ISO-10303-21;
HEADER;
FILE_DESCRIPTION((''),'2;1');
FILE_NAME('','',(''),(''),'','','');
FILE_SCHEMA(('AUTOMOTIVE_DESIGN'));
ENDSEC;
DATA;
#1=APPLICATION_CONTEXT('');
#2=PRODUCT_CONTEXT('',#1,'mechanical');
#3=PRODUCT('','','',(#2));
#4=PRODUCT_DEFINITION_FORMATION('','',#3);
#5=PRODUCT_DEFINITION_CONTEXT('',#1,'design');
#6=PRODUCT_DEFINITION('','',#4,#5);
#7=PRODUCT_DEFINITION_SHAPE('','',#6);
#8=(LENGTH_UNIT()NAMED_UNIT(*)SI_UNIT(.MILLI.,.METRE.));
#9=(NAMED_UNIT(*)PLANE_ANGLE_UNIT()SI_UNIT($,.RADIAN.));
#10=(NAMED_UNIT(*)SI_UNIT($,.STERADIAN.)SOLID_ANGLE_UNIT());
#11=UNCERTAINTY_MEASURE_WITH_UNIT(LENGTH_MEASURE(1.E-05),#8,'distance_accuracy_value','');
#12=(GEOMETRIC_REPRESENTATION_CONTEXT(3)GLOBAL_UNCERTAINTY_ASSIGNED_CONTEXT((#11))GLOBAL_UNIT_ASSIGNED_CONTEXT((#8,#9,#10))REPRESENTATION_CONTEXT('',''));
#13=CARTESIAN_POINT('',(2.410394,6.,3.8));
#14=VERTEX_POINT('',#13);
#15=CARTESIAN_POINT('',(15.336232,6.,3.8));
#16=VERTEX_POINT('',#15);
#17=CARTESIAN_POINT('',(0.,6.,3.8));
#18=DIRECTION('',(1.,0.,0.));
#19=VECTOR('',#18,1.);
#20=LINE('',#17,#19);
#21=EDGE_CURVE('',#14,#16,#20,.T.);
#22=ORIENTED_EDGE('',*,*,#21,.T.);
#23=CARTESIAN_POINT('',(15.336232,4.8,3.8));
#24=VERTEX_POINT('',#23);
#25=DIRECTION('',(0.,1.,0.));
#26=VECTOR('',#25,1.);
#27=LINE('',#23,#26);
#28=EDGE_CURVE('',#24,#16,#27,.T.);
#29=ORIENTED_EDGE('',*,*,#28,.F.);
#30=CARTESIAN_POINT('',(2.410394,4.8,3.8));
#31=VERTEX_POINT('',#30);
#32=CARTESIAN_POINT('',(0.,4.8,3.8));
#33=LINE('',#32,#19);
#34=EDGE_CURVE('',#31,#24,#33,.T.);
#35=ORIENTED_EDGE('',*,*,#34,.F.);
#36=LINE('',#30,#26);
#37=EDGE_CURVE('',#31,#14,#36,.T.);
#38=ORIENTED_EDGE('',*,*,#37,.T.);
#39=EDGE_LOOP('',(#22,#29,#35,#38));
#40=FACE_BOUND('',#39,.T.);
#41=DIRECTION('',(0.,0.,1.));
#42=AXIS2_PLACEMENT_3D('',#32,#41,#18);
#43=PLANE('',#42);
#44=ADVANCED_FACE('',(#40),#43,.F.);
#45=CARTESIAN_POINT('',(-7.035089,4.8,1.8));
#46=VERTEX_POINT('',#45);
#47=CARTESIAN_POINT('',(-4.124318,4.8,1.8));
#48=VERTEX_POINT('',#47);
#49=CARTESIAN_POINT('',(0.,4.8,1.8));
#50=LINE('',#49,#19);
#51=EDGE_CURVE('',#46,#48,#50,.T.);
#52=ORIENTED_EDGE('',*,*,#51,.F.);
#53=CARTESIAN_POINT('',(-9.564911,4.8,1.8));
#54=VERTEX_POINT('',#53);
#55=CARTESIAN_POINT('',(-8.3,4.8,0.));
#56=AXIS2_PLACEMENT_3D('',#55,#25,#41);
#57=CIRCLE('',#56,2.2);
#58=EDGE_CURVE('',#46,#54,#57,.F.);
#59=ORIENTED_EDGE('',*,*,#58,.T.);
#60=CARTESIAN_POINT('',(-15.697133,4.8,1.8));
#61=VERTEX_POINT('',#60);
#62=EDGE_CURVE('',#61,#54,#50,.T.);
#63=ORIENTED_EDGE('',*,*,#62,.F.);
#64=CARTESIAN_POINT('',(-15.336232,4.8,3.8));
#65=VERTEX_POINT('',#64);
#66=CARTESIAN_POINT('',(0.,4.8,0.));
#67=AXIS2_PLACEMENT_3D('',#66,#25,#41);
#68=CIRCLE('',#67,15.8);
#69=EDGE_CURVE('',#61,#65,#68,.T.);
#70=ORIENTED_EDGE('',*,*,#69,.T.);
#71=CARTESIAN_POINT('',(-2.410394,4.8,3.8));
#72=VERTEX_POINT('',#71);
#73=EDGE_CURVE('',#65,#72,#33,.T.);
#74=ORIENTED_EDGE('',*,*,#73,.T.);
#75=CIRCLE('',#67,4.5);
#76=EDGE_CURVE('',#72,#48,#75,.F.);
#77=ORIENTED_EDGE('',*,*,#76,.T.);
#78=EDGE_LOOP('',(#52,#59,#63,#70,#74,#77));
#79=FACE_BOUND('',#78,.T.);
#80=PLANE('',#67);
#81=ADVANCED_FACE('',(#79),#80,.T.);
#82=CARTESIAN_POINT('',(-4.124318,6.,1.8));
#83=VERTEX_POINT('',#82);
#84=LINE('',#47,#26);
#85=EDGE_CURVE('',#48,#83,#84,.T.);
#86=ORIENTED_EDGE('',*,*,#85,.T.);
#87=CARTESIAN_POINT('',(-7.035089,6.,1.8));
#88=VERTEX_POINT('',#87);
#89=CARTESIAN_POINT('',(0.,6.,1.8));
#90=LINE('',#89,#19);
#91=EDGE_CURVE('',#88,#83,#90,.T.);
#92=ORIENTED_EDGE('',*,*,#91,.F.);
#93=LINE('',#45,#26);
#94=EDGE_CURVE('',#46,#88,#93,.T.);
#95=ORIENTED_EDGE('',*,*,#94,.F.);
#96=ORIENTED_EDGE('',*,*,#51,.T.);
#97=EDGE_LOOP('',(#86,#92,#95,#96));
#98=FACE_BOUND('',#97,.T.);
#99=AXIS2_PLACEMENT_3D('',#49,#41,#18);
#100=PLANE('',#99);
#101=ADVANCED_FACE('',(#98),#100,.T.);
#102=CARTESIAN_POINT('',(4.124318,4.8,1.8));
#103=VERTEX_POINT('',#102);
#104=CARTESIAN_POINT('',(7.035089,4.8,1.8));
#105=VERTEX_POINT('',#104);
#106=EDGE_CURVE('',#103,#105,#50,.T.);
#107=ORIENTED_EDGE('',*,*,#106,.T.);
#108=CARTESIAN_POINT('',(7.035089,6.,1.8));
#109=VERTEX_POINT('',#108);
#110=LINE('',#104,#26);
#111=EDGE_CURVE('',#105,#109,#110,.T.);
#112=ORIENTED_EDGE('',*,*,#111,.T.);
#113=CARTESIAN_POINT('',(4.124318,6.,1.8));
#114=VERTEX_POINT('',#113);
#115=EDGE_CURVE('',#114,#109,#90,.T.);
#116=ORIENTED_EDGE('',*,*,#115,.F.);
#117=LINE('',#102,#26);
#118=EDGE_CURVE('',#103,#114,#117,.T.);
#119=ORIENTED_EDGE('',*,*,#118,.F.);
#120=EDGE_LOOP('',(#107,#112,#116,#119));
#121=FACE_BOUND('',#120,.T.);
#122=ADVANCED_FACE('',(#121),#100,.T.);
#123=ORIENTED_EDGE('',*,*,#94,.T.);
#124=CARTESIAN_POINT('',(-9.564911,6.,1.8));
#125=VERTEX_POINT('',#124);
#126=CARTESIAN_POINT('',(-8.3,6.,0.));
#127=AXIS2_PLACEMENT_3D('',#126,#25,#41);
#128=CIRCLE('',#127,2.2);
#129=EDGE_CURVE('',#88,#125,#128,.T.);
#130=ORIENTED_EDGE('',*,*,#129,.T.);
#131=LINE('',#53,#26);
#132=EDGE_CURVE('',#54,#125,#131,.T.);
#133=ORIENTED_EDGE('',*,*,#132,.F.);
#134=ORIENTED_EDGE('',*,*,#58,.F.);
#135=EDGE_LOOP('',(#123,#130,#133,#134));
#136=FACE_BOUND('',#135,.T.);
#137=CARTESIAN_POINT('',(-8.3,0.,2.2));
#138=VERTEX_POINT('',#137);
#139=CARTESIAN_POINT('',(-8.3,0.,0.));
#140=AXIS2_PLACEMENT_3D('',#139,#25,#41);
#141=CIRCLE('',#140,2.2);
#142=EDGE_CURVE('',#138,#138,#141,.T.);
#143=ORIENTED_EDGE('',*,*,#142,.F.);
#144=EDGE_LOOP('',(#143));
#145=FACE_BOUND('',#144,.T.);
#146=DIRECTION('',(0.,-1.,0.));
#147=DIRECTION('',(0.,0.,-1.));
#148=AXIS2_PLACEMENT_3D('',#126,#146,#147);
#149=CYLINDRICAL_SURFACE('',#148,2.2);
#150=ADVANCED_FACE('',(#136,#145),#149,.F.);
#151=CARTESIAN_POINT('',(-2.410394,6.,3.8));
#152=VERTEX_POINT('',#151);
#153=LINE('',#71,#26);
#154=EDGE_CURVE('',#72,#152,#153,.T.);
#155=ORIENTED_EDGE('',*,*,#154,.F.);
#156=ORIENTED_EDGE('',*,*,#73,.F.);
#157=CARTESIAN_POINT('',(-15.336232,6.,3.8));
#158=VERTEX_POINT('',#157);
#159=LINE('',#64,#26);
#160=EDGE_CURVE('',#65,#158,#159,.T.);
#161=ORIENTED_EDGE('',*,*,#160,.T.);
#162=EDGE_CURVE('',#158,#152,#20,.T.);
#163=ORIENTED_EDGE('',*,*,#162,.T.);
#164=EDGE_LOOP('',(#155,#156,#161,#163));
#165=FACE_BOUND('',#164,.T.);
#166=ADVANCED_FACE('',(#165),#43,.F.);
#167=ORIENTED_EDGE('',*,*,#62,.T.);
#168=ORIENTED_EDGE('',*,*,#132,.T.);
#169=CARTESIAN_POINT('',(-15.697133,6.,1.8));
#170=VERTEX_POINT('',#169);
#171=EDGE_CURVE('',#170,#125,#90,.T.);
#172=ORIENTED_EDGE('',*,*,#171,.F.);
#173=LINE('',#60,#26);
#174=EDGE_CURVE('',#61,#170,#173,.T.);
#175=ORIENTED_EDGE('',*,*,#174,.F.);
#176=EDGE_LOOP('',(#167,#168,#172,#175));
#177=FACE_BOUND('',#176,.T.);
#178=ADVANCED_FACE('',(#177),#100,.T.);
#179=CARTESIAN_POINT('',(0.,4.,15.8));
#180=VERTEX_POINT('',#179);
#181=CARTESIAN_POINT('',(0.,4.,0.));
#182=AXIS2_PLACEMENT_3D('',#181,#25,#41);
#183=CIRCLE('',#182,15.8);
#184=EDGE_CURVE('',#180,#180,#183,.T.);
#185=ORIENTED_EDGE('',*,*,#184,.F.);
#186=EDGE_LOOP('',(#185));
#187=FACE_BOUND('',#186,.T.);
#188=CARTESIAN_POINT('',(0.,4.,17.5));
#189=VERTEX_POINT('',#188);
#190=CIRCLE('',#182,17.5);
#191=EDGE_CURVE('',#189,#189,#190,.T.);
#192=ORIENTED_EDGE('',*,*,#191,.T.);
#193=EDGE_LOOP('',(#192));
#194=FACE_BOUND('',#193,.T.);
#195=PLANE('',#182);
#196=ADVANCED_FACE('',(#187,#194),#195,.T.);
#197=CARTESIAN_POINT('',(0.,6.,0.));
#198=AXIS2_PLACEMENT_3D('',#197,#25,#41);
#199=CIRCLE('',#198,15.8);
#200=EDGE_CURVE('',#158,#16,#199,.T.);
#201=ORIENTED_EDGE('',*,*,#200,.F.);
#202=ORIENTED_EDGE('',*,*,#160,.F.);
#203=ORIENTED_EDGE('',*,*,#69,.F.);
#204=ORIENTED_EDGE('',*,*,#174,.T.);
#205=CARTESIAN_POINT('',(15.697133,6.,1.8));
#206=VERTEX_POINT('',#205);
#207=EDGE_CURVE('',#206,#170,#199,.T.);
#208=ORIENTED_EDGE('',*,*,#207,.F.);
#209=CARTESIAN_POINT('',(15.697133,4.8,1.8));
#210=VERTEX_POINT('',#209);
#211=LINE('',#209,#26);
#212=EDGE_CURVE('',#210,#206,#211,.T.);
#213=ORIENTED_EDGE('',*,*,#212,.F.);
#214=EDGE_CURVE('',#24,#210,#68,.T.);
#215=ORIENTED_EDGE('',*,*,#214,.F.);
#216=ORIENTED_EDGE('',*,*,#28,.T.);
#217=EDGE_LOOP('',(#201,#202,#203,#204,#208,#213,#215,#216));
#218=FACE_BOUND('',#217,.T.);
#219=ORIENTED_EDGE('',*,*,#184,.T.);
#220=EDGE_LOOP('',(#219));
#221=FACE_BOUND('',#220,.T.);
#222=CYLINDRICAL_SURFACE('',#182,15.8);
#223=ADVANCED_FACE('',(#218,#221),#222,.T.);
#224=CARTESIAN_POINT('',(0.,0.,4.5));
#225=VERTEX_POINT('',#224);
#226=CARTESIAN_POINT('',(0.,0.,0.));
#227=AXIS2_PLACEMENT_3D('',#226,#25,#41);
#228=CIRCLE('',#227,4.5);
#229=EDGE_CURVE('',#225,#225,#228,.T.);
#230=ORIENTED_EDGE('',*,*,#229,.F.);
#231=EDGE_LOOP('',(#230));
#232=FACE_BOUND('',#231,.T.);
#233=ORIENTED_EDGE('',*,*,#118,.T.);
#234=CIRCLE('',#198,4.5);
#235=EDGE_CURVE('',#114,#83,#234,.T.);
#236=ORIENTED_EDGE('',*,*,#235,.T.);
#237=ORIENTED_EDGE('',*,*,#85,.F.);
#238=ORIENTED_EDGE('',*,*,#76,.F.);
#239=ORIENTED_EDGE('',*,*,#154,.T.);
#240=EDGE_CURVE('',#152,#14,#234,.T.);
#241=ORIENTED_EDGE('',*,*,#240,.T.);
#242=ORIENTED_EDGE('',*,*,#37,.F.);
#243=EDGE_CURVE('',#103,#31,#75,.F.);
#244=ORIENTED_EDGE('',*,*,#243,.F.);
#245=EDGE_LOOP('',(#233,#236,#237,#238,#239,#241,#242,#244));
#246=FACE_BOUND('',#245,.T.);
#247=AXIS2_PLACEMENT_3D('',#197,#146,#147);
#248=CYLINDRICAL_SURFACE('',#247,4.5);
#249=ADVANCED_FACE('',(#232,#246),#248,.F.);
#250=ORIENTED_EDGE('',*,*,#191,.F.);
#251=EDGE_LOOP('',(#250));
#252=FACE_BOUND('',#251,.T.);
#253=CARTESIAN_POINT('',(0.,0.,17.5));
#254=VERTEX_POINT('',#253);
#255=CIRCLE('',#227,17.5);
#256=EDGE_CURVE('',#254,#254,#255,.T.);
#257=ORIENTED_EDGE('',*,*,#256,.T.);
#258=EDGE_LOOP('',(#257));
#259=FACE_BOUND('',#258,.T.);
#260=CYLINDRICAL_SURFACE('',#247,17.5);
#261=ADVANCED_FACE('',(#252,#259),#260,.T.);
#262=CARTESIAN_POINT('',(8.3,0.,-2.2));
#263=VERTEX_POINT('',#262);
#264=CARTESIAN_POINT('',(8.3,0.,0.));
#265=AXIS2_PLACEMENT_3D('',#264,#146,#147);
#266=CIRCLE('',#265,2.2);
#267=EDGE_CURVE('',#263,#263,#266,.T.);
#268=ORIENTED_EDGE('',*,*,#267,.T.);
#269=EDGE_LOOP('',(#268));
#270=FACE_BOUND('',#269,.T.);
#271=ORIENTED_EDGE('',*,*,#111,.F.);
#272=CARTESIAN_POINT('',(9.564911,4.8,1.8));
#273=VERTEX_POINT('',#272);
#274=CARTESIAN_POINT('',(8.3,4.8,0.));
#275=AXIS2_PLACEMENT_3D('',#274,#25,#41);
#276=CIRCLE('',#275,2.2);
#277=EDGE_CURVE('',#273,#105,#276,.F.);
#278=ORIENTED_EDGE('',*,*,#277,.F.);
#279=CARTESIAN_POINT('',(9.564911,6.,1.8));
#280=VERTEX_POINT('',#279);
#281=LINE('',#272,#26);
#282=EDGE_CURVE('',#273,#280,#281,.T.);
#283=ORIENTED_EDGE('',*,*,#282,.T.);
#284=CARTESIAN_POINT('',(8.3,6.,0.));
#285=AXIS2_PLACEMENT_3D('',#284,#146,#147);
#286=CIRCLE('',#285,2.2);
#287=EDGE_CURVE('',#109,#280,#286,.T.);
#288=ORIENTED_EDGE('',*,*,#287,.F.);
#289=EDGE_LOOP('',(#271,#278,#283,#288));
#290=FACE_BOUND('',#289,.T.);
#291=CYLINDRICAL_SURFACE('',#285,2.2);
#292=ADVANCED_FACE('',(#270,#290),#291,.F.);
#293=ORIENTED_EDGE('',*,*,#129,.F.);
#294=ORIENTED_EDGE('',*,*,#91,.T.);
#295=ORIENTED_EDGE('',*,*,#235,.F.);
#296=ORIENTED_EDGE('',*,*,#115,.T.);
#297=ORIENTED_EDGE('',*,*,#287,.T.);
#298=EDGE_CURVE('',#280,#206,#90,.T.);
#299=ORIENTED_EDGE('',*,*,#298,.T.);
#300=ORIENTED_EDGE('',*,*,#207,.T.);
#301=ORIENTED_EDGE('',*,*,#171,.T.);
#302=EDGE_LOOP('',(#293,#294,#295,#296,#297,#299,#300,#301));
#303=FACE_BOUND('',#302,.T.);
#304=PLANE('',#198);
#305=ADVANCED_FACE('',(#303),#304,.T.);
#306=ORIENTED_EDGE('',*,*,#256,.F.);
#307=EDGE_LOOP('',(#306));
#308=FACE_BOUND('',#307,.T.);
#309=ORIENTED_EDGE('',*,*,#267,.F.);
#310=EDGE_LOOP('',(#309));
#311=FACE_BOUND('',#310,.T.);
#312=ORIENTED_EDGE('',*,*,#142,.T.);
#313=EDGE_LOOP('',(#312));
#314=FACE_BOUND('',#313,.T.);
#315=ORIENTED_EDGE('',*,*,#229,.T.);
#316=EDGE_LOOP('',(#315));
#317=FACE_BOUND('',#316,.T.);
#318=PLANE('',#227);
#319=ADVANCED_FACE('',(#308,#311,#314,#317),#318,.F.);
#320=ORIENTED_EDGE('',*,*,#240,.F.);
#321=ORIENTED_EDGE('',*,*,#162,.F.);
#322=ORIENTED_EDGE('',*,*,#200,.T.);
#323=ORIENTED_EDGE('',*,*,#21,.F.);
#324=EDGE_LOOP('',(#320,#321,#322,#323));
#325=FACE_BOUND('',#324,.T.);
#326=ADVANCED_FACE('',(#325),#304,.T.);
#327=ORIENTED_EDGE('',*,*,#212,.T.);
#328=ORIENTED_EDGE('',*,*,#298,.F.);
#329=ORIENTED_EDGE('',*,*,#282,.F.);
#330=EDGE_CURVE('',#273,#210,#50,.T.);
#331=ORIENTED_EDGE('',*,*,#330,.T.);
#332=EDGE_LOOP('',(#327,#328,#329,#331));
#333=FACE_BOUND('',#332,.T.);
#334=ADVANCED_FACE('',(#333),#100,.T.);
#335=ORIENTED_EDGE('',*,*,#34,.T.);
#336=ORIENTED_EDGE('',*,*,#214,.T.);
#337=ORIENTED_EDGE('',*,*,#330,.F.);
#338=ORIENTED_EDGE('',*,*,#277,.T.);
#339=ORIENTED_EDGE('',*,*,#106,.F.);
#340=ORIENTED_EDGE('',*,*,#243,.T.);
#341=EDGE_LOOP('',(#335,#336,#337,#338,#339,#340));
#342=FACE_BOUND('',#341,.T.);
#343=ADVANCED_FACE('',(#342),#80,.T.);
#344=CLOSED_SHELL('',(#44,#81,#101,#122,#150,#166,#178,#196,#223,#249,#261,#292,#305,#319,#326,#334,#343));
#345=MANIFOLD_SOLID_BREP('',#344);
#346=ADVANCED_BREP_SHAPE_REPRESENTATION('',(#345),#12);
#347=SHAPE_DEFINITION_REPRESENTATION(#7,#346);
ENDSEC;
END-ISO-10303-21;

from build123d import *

# Parameters (mm, degrees)
SKETCH2_R           = 17.5
SKETCH2_R_2         = 4.5
SKETCH2_R_3         = 2.2
BOSS_EXTRUDE2_DEPTH = 6
SKETCH3_OUTSIDE_W   = 46.972
SKETCH3_OUTSIDE_H   = 46.972
SKETCH3_OUTSIDE_R   = 15.8
CUT_EXTRUDE1_DEPTH  = 2
CUT_EXTRUDE3_START  = -1.2
CUT_EXTRUDE3_DEPTH  = 1.2


with BuildPart() as part:
    # Sketch2 → Boss-Extrude2 (new body)
    with BuildSketch(Plane(origin=(0, 0, 0), x_dir=(1, 0, 0), z_dir=(0, 1, 0))):
        with Locations(Location((0, 0, 0), (0, 0, 270))):
            Circle(SKETCH2_R)
        with Locations(Location((0, 0, 0), (0, 0, 270))):
            Circle(SKETCH2_R_2, mode=Mode.SUBTRACT)
        with Locations(Location((-8.3, 0, 0), (0, 0, 270))):
            Circle(SKETCH2_R_3, mode=Mode.SUBTRACT)
        with Locations(Location((8.3, 0, 0), (0, 0, 90))):
            Circle(SKETCH2_R_3, mode=Mode.SUBTRACT)
    extrude(amount=BOSS_EXTRUDE2_DEPTH)

    # Sketch3 outside → Cut-Extrude1 (cut)
    with BuildSketch(Plane(origin=(0, 6, 0), x_dir=(1, 0, 0), z_dir=(0, 1, 0))):
        Rectangle(SKETCH3_OUTSIDE_W, SKETCH3_OUTSIDE_H)
        with Locations(Location((0, 0, 0), (0, 0, 270))):
            Circle(SKETCH3_OUTSIDE_R, mode=Mode.SUBTRACT)
    extrude(amount=-CUT_EXTRUDE1_DEPTH, mode=Mode.SUBTRACT)

    # Sketch4 → Cut-Extrude3 (cut)
    with BuildSketch(Plane(origin=(0, 6, 0), x_dir=(1, 0, 0), z_dir=(0, 1, 0)).offset(CUT_EXTRUDE3_START)):
        with BuildLine():
            Line((-9.564911064, -1.8), (-15.697133496, -1.8))
            ThreePointArc((-15.697133496, -1.8), (-15.548872546, -2.805808715), (-15.33623161, -3.8))
            Line((-15.33623161, -3.8), (-2.410394159, -3.8))
            ThreePointArc((-2.410394159, -3.8), (-3.416960076, -2.928204884), (-4.124318125, -1.8))
            Line((-4.124318125, -1.8), (-7.035088936, -1.8))
            ThreePointArc((-7.035088936, -1.8), (-8.3, -2.2), (-9.564911064, -1.8))
        make_face()
        with BuildLine():
            ThreePointArc((15.33623161, -3.8), (15.548872546, -2.805808715), (15.697133496, -1.8))
            Line((15.697133496, -1.8), (9.564911064, -1.8))
            ThreePointArc((9.564911064, -1.8), (8.3, -2.2), (7.035088936, -1.8))
            Line((7.035088936, -1.8), (4.124318125, -1.8))
            ThreePointArc((4.124318125, -1.8), (3.416960076, -2.928204884), (2.410394159, -3.8))
            Line((2.410394159, -3.8), (15.33623161, -3.8))
        make_face()
    extrude(amount=CUT_EXTRUDE3_DEPTH, mode=Mode.SUBTRACT)


solid = part.part
